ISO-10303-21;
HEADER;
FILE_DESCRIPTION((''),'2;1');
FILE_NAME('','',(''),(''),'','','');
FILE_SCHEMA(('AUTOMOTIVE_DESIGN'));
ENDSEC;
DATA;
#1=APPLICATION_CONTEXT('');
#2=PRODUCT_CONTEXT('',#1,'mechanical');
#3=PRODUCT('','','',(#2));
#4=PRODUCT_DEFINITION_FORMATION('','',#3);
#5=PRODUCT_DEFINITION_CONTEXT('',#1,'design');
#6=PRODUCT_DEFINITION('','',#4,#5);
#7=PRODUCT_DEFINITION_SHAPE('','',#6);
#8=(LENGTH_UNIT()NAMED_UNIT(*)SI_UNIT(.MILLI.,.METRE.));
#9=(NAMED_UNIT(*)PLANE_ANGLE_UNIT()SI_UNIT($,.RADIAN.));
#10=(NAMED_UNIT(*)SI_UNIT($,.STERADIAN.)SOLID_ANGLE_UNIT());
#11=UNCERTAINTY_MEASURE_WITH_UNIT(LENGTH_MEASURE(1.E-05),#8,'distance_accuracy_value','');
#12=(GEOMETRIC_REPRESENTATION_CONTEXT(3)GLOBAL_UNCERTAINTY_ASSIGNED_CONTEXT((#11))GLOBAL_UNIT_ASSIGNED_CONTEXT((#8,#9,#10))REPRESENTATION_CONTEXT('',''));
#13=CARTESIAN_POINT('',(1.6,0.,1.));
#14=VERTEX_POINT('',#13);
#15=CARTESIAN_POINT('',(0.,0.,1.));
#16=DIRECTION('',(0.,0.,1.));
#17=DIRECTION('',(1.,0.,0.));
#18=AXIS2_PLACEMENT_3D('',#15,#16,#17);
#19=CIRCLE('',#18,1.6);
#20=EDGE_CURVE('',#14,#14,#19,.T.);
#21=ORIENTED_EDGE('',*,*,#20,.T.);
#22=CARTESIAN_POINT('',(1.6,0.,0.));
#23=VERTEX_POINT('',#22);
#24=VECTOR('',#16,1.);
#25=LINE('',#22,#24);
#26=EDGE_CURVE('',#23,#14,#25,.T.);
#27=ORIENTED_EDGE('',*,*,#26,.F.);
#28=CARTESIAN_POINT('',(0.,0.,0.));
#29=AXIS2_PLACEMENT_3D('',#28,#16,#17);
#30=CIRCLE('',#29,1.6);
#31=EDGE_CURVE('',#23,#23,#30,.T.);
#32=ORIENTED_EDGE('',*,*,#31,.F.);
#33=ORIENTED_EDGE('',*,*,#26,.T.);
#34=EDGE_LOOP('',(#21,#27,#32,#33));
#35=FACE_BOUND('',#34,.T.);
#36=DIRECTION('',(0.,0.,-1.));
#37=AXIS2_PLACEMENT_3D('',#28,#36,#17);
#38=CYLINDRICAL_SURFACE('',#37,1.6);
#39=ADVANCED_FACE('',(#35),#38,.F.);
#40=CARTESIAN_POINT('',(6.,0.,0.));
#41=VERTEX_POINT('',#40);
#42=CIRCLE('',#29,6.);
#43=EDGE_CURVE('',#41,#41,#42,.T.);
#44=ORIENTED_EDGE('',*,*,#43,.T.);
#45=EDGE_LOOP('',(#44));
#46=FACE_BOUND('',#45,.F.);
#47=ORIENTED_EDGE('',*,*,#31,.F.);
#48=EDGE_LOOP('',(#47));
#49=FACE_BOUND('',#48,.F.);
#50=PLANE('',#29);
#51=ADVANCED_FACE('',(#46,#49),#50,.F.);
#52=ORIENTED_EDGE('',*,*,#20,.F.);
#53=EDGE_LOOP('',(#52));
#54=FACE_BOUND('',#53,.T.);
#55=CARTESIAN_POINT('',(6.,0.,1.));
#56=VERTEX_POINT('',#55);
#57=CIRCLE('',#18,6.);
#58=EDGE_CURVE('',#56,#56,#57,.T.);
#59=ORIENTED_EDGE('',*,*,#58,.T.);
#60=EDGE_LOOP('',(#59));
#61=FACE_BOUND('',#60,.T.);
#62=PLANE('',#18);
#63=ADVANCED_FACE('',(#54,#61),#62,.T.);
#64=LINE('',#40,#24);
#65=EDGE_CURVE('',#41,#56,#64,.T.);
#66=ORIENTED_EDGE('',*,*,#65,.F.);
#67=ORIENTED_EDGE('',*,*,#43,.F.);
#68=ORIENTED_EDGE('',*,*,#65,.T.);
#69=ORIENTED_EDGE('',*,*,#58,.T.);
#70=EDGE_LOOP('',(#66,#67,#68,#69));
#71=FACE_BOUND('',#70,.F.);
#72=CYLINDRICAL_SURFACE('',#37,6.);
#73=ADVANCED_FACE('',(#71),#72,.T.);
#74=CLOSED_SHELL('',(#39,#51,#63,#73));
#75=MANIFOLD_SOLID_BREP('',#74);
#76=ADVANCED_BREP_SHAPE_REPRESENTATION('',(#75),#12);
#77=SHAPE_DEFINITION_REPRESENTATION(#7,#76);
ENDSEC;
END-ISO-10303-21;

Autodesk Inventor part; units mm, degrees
ref_plane "YZ Plane" through (0, 0, 0) normal (1, 0, 0) x (0, 1, 0)
ref_plane "XZ Plane" through (0, 0, 0) normal (0, 1, 0) x (-1, 0, 0)
ref_plane "XY Plane" through (0, 0, 0) normal (0, 0, 1) x (1, 0, 0)
sketch "スケッチ1" plane through (0, 0, 0) normal (0, 0, 1) x (1, 0, 0)
  circle A0 centre (0, 0) radius 1.6
  circle A1 centre (0, 0) radius 6
  dimension "d0" = 3.2
  dimension "d1" = 12
extrude "押し出し1" add sketch "スケッチ1" along normal blind 1
properties part number "UUW-0312-10H" material "ステンレス鋼 AISI 304"
